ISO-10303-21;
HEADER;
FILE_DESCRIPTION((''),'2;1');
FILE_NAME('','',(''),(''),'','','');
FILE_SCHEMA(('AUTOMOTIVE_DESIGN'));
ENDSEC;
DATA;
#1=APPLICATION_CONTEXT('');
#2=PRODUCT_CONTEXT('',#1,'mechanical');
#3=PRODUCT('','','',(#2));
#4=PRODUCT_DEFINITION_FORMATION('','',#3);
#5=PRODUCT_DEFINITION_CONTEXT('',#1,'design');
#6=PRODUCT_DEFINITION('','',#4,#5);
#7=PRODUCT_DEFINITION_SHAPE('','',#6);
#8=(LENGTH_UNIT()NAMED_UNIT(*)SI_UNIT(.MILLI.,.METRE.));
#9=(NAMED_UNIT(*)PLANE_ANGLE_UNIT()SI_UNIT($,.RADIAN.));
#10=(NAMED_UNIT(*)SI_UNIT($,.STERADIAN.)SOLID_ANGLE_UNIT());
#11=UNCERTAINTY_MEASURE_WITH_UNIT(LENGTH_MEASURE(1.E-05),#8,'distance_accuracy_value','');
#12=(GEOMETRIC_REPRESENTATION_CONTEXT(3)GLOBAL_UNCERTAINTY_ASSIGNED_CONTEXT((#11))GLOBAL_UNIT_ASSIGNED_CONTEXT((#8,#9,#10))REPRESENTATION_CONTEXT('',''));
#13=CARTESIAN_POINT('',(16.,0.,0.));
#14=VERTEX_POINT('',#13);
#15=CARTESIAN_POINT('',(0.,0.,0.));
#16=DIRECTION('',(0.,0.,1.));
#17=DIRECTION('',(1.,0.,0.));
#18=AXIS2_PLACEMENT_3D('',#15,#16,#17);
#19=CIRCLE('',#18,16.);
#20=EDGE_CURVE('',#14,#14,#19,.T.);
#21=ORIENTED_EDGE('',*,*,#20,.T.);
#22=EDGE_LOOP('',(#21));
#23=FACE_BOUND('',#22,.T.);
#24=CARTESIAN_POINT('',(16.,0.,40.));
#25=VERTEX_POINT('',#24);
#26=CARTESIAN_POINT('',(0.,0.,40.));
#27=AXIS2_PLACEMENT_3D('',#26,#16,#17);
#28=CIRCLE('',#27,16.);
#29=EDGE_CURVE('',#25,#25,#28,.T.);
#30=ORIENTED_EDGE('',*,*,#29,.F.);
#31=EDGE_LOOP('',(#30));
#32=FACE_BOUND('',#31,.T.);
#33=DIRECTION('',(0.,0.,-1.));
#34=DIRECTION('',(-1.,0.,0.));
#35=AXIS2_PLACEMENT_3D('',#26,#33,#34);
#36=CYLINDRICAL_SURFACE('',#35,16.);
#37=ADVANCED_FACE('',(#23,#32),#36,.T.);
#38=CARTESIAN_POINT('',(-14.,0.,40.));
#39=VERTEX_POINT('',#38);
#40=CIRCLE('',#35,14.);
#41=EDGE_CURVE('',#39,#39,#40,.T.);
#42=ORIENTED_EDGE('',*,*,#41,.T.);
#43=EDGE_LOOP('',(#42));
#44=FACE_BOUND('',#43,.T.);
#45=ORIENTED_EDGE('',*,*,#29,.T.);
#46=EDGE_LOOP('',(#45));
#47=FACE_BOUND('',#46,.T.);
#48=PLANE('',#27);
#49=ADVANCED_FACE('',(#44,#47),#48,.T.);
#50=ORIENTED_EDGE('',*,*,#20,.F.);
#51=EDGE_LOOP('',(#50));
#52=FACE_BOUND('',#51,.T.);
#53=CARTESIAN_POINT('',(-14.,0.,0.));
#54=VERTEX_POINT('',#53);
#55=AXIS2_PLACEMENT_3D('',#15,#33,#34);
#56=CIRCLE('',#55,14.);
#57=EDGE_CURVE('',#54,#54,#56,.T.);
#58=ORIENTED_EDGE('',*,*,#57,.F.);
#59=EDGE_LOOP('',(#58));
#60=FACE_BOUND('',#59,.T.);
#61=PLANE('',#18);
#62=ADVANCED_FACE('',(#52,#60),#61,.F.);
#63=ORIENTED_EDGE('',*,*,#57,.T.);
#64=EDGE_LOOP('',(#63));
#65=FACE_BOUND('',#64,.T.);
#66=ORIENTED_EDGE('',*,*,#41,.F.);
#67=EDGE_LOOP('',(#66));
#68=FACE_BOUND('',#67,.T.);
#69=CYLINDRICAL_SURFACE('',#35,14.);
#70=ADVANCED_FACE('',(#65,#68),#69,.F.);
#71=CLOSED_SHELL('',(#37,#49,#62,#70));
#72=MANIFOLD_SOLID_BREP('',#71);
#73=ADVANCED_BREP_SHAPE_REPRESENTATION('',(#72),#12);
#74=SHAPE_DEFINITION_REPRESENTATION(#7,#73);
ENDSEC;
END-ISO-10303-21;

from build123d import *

# Parameters (mm, degrees)
SKETCH_1_R          = 16
EXTRUDE_1_DEPTH     = 40
SKETCH_2_R          = 14
CUT_EXTRUDE_1_DEPTH = 41


with BuildPart() as part:
    # Эскиз1 → Бобышка-Вытянуть1 (new body)
    with BuildSketch(Plane.XY):
        Circle(SKETCH_1_R)
    extrude(amount=EXTRUDE_1_DEPTH)

    # Эскиз2 → Вырез-Вытянуть1 (cut, through all)
    with BuildSketch(Plane(origin=(0, 0, 0), x_dir=(-1, 0, 0), z_dir=(0, 0, -1))):
        Circle(SKETCH_2_R)
    extrude(amount=-CUT_EXTRUDE_1_DEPTH, mode=Mode.SUBTRACT)


solid = part.part
